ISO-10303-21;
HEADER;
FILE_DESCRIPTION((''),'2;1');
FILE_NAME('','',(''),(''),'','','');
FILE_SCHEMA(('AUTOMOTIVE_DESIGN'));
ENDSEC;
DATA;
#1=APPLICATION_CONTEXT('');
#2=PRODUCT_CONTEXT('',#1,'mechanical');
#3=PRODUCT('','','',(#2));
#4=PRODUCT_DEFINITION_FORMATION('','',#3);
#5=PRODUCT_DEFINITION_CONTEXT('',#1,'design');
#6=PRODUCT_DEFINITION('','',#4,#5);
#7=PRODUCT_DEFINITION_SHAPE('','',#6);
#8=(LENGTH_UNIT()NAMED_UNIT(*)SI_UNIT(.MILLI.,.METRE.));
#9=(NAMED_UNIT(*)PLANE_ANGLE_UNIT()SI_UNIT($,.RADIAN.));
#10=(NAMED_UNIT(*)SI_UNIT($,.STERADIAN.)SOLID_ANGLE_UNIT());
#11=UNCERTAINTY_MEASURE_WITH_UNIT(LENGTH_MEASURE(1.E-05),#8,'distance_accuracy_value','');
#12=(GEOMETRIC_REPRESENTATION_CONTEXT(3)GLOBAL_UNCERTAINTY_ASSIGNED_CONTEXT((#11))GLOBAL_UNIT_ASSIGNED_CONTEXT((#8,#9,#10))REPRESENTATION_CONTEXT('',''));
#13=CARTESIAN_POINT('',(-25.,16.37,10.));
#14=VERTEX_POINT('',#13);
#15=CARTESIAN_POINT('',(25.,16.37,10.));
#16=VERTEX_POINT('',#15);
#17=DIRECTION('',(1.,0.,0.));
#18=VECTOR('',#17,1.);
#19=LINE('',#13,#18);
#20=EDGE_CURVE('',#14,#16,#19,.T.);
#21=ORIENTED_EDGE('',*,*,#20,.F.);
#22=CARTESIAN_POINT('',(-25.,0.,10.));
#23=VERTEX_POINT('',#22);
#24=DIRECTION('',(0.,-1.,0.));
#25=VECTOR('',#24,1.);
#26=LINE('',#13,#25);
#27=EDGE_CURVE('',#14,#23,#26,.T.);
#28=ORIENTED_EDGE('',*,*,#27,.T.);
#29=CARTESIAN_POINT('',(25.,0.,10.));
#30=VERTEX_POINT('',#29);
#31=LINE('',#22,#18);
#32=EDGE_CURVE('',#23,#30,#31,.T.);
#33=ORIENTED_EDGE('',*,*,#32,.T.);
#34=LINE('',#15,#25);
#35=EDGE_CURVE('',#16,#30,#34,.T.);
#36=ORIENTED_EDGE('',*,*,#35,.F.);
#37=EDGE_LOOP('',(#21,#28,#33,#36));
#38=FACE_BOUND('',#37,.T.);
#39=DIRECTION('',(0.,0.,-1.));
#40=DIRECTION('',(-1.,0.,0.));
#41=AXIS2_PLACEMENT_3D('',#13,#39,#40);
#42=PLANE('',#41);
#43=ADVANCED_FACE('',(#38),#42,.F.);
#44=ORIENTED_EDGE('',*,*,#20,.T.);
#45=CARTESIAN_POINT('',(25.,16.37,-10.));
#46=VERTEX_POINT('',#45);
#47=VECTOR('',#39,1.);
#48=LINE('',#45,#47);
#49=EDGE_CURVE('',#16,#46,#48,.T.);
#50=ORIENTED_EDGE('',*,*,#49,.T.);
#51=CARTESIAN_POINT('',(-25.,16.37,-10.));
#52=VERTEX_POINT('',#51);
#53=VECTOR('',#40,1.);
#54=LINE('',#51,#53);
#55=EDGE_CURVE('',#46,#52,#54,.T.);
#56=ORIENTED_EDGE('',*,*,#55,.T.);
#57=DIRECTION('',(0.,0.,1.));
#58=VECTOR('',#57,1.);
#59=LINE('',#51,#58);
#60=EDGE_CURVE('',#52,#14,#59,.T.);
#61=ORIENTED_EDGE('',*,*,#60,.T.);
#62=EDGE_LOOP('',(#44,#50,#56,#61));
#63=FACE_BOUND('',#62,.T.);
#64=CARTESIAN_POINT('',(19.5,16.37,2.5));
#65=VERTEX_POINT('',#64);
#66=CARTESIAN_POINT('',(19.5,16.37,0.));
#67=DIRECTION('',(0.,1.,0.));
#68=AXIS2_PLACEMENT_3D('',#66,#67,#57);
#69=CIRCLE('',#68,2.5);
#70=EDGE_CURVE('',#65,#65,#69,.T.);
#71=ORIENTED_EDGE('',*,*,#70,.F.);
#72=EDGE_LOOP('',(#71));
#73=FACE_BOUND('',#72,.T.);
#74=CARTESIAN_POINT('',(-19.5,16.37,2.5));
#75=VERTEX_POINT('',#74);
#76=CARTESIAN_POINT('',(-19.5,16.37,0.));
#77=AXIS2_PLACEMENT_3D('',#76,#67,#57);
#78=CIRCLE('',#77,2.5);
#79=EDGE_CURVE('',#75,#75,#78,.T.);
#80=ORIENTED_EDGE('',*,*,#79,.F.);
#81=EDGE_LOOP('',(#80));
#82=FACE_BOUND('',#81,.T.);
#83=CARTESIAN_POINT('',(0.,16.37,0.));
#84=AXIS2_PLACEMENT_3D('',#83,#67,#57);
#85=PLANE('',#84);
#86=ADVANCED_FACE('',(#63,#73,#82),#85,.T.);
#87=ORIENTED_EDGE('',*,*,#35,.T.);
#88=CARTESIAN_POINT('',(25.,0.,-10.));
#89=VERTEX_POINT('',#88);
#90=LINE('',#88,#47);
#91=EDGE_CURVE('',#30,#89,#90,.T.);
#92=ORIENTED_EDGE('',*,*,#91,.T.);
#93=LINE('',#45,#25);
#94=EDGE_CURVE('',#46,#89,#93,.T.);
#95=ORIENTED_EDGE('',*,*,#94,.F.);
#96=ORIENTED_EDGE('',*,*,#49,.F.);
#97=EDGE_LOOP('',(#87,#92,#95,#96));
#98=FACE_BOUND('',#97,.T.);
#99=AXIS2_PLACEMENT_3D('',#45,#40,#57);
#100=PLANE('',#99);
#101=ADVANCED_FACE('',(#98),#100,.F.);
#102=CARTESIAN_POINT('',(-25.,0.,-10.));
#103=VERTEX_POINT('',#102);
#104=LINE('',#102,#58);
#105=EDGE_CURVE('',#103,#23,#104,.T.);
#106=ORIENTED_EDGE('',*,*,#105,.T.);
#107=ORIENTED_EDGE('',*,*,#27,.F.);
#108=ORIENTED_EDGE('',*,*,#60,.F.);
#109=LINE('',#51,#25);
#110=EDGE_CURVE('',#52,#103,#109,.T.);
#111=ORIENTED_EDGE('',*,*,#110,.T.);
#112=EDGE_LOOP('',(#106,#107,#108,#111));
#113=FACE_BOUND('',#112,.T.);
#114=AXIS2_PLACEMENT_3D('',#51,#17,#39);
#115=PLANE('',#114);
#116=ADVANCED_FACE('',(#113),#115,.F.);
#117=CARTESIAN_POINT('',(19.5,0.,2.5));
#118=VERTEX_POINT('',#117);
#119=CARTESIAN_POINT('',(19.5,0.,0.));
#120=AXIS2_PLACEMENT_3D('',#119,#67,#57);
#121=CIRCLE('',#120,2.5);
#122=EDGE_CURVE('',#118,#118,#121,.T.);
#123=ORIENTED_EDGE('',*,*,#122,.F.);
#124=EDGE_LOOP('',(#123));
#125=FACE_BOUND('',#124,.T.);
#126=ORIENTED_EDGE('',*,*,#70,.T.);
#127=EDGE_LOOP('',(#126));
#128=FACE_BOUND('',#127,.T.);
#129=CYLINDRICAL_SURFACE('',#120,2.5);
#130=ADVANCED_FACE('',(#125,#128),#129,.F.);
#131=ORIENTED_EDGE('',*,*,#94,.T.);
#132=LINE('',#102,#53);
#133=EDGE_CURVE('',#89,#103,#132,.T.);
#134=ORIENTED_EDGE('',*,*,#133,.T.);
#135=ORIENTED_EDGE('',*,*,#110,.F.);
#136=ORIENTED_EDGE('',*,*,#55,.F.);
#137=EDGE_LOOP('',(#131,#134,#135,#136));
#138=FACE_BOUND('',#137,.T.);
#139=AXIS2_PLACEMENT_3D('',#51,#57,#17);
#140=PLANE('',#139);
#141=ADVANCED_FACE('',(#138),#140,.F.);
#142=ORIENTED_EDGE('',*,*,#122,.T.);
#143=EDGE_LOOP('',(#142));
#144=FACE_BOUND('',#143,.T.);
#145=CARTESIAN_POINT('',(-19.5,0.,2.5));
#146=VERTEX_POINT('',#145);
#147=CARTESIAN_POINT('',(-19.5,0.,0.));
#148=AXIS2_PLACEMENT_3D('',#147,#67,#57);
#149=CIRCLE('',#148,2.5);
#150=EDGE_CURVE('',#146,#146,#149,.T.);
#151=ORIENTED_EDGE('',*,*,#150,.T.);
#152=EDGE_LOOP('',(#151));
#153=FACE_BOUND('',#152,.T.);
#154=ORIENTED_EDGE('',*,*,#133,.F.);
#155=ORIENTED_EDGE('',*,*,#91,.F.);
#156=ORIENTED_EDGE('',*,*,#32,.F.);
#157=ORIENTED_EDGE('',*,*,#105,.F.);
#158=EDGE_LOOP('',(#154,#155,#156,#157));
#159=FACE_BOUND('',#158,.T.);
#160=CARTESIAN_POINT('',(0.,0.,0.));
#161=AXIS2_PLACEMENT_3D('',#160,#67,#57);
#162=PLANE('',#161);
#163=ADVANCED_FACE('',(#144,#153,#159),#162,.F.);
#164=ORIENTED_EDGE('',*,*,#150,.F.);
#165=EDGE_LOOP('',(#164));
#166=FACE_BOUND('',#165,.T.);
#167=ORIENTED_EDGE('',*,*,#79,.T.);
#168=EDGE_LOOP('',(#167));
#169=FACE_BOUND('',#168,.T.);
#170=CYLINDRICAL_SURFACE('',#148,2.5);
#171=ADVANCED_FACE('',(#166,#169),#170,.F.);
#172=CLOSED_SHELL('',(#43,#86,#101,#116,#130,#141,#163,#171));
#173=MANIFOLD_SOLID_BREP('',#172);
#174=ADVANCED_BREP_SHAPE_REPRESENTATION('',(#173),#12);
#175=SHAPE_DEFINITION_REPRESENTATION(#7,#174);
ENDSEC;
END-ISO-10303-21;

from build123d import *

# Parameters (mm, degrees)
SKETCH1_W           = 50
SKETCH1_H           = 20
BOSS_EXTRUDE1_DEPTH = 16.37
SKETCH3_R           = 2.5
CUT_EXTRUDE2_DEPTH  = 32.511535983


with BuildPart() as part:
    # Sketch1 → Boss-Extrude1 (new body)
    with BuildSketch(Plane(origin=(0, 0, 0), x_dir=(1, 0, 0), z_dir=(0, 1, 0))):
        Rectangle(SKETCH1_W, SKETCH1_H)
    extrude(amount=BOSS_EXTRUDE1_DEPTH)

    # Sketch3 → Cut-Extrude2 (cut, through all)
    with BuildSketch(Plane(origin=(0, 16.37, 0), x_dir=(1, 0, 0), z_dir=(0, 1, 0))):
        with Locations(Location((19.5, 0, 0), (0, 0, 270))):
            Circle(SKETCH3_R)
        with Locations(Location((-19.5, 0, 0), (0, 0, 270))):
            Circle(SKETCH3_R)
    extrude(amount=-CUT_EXTRUDE2_DEPTH, mode=Mode.SUBTRACT)


solid = part.part
